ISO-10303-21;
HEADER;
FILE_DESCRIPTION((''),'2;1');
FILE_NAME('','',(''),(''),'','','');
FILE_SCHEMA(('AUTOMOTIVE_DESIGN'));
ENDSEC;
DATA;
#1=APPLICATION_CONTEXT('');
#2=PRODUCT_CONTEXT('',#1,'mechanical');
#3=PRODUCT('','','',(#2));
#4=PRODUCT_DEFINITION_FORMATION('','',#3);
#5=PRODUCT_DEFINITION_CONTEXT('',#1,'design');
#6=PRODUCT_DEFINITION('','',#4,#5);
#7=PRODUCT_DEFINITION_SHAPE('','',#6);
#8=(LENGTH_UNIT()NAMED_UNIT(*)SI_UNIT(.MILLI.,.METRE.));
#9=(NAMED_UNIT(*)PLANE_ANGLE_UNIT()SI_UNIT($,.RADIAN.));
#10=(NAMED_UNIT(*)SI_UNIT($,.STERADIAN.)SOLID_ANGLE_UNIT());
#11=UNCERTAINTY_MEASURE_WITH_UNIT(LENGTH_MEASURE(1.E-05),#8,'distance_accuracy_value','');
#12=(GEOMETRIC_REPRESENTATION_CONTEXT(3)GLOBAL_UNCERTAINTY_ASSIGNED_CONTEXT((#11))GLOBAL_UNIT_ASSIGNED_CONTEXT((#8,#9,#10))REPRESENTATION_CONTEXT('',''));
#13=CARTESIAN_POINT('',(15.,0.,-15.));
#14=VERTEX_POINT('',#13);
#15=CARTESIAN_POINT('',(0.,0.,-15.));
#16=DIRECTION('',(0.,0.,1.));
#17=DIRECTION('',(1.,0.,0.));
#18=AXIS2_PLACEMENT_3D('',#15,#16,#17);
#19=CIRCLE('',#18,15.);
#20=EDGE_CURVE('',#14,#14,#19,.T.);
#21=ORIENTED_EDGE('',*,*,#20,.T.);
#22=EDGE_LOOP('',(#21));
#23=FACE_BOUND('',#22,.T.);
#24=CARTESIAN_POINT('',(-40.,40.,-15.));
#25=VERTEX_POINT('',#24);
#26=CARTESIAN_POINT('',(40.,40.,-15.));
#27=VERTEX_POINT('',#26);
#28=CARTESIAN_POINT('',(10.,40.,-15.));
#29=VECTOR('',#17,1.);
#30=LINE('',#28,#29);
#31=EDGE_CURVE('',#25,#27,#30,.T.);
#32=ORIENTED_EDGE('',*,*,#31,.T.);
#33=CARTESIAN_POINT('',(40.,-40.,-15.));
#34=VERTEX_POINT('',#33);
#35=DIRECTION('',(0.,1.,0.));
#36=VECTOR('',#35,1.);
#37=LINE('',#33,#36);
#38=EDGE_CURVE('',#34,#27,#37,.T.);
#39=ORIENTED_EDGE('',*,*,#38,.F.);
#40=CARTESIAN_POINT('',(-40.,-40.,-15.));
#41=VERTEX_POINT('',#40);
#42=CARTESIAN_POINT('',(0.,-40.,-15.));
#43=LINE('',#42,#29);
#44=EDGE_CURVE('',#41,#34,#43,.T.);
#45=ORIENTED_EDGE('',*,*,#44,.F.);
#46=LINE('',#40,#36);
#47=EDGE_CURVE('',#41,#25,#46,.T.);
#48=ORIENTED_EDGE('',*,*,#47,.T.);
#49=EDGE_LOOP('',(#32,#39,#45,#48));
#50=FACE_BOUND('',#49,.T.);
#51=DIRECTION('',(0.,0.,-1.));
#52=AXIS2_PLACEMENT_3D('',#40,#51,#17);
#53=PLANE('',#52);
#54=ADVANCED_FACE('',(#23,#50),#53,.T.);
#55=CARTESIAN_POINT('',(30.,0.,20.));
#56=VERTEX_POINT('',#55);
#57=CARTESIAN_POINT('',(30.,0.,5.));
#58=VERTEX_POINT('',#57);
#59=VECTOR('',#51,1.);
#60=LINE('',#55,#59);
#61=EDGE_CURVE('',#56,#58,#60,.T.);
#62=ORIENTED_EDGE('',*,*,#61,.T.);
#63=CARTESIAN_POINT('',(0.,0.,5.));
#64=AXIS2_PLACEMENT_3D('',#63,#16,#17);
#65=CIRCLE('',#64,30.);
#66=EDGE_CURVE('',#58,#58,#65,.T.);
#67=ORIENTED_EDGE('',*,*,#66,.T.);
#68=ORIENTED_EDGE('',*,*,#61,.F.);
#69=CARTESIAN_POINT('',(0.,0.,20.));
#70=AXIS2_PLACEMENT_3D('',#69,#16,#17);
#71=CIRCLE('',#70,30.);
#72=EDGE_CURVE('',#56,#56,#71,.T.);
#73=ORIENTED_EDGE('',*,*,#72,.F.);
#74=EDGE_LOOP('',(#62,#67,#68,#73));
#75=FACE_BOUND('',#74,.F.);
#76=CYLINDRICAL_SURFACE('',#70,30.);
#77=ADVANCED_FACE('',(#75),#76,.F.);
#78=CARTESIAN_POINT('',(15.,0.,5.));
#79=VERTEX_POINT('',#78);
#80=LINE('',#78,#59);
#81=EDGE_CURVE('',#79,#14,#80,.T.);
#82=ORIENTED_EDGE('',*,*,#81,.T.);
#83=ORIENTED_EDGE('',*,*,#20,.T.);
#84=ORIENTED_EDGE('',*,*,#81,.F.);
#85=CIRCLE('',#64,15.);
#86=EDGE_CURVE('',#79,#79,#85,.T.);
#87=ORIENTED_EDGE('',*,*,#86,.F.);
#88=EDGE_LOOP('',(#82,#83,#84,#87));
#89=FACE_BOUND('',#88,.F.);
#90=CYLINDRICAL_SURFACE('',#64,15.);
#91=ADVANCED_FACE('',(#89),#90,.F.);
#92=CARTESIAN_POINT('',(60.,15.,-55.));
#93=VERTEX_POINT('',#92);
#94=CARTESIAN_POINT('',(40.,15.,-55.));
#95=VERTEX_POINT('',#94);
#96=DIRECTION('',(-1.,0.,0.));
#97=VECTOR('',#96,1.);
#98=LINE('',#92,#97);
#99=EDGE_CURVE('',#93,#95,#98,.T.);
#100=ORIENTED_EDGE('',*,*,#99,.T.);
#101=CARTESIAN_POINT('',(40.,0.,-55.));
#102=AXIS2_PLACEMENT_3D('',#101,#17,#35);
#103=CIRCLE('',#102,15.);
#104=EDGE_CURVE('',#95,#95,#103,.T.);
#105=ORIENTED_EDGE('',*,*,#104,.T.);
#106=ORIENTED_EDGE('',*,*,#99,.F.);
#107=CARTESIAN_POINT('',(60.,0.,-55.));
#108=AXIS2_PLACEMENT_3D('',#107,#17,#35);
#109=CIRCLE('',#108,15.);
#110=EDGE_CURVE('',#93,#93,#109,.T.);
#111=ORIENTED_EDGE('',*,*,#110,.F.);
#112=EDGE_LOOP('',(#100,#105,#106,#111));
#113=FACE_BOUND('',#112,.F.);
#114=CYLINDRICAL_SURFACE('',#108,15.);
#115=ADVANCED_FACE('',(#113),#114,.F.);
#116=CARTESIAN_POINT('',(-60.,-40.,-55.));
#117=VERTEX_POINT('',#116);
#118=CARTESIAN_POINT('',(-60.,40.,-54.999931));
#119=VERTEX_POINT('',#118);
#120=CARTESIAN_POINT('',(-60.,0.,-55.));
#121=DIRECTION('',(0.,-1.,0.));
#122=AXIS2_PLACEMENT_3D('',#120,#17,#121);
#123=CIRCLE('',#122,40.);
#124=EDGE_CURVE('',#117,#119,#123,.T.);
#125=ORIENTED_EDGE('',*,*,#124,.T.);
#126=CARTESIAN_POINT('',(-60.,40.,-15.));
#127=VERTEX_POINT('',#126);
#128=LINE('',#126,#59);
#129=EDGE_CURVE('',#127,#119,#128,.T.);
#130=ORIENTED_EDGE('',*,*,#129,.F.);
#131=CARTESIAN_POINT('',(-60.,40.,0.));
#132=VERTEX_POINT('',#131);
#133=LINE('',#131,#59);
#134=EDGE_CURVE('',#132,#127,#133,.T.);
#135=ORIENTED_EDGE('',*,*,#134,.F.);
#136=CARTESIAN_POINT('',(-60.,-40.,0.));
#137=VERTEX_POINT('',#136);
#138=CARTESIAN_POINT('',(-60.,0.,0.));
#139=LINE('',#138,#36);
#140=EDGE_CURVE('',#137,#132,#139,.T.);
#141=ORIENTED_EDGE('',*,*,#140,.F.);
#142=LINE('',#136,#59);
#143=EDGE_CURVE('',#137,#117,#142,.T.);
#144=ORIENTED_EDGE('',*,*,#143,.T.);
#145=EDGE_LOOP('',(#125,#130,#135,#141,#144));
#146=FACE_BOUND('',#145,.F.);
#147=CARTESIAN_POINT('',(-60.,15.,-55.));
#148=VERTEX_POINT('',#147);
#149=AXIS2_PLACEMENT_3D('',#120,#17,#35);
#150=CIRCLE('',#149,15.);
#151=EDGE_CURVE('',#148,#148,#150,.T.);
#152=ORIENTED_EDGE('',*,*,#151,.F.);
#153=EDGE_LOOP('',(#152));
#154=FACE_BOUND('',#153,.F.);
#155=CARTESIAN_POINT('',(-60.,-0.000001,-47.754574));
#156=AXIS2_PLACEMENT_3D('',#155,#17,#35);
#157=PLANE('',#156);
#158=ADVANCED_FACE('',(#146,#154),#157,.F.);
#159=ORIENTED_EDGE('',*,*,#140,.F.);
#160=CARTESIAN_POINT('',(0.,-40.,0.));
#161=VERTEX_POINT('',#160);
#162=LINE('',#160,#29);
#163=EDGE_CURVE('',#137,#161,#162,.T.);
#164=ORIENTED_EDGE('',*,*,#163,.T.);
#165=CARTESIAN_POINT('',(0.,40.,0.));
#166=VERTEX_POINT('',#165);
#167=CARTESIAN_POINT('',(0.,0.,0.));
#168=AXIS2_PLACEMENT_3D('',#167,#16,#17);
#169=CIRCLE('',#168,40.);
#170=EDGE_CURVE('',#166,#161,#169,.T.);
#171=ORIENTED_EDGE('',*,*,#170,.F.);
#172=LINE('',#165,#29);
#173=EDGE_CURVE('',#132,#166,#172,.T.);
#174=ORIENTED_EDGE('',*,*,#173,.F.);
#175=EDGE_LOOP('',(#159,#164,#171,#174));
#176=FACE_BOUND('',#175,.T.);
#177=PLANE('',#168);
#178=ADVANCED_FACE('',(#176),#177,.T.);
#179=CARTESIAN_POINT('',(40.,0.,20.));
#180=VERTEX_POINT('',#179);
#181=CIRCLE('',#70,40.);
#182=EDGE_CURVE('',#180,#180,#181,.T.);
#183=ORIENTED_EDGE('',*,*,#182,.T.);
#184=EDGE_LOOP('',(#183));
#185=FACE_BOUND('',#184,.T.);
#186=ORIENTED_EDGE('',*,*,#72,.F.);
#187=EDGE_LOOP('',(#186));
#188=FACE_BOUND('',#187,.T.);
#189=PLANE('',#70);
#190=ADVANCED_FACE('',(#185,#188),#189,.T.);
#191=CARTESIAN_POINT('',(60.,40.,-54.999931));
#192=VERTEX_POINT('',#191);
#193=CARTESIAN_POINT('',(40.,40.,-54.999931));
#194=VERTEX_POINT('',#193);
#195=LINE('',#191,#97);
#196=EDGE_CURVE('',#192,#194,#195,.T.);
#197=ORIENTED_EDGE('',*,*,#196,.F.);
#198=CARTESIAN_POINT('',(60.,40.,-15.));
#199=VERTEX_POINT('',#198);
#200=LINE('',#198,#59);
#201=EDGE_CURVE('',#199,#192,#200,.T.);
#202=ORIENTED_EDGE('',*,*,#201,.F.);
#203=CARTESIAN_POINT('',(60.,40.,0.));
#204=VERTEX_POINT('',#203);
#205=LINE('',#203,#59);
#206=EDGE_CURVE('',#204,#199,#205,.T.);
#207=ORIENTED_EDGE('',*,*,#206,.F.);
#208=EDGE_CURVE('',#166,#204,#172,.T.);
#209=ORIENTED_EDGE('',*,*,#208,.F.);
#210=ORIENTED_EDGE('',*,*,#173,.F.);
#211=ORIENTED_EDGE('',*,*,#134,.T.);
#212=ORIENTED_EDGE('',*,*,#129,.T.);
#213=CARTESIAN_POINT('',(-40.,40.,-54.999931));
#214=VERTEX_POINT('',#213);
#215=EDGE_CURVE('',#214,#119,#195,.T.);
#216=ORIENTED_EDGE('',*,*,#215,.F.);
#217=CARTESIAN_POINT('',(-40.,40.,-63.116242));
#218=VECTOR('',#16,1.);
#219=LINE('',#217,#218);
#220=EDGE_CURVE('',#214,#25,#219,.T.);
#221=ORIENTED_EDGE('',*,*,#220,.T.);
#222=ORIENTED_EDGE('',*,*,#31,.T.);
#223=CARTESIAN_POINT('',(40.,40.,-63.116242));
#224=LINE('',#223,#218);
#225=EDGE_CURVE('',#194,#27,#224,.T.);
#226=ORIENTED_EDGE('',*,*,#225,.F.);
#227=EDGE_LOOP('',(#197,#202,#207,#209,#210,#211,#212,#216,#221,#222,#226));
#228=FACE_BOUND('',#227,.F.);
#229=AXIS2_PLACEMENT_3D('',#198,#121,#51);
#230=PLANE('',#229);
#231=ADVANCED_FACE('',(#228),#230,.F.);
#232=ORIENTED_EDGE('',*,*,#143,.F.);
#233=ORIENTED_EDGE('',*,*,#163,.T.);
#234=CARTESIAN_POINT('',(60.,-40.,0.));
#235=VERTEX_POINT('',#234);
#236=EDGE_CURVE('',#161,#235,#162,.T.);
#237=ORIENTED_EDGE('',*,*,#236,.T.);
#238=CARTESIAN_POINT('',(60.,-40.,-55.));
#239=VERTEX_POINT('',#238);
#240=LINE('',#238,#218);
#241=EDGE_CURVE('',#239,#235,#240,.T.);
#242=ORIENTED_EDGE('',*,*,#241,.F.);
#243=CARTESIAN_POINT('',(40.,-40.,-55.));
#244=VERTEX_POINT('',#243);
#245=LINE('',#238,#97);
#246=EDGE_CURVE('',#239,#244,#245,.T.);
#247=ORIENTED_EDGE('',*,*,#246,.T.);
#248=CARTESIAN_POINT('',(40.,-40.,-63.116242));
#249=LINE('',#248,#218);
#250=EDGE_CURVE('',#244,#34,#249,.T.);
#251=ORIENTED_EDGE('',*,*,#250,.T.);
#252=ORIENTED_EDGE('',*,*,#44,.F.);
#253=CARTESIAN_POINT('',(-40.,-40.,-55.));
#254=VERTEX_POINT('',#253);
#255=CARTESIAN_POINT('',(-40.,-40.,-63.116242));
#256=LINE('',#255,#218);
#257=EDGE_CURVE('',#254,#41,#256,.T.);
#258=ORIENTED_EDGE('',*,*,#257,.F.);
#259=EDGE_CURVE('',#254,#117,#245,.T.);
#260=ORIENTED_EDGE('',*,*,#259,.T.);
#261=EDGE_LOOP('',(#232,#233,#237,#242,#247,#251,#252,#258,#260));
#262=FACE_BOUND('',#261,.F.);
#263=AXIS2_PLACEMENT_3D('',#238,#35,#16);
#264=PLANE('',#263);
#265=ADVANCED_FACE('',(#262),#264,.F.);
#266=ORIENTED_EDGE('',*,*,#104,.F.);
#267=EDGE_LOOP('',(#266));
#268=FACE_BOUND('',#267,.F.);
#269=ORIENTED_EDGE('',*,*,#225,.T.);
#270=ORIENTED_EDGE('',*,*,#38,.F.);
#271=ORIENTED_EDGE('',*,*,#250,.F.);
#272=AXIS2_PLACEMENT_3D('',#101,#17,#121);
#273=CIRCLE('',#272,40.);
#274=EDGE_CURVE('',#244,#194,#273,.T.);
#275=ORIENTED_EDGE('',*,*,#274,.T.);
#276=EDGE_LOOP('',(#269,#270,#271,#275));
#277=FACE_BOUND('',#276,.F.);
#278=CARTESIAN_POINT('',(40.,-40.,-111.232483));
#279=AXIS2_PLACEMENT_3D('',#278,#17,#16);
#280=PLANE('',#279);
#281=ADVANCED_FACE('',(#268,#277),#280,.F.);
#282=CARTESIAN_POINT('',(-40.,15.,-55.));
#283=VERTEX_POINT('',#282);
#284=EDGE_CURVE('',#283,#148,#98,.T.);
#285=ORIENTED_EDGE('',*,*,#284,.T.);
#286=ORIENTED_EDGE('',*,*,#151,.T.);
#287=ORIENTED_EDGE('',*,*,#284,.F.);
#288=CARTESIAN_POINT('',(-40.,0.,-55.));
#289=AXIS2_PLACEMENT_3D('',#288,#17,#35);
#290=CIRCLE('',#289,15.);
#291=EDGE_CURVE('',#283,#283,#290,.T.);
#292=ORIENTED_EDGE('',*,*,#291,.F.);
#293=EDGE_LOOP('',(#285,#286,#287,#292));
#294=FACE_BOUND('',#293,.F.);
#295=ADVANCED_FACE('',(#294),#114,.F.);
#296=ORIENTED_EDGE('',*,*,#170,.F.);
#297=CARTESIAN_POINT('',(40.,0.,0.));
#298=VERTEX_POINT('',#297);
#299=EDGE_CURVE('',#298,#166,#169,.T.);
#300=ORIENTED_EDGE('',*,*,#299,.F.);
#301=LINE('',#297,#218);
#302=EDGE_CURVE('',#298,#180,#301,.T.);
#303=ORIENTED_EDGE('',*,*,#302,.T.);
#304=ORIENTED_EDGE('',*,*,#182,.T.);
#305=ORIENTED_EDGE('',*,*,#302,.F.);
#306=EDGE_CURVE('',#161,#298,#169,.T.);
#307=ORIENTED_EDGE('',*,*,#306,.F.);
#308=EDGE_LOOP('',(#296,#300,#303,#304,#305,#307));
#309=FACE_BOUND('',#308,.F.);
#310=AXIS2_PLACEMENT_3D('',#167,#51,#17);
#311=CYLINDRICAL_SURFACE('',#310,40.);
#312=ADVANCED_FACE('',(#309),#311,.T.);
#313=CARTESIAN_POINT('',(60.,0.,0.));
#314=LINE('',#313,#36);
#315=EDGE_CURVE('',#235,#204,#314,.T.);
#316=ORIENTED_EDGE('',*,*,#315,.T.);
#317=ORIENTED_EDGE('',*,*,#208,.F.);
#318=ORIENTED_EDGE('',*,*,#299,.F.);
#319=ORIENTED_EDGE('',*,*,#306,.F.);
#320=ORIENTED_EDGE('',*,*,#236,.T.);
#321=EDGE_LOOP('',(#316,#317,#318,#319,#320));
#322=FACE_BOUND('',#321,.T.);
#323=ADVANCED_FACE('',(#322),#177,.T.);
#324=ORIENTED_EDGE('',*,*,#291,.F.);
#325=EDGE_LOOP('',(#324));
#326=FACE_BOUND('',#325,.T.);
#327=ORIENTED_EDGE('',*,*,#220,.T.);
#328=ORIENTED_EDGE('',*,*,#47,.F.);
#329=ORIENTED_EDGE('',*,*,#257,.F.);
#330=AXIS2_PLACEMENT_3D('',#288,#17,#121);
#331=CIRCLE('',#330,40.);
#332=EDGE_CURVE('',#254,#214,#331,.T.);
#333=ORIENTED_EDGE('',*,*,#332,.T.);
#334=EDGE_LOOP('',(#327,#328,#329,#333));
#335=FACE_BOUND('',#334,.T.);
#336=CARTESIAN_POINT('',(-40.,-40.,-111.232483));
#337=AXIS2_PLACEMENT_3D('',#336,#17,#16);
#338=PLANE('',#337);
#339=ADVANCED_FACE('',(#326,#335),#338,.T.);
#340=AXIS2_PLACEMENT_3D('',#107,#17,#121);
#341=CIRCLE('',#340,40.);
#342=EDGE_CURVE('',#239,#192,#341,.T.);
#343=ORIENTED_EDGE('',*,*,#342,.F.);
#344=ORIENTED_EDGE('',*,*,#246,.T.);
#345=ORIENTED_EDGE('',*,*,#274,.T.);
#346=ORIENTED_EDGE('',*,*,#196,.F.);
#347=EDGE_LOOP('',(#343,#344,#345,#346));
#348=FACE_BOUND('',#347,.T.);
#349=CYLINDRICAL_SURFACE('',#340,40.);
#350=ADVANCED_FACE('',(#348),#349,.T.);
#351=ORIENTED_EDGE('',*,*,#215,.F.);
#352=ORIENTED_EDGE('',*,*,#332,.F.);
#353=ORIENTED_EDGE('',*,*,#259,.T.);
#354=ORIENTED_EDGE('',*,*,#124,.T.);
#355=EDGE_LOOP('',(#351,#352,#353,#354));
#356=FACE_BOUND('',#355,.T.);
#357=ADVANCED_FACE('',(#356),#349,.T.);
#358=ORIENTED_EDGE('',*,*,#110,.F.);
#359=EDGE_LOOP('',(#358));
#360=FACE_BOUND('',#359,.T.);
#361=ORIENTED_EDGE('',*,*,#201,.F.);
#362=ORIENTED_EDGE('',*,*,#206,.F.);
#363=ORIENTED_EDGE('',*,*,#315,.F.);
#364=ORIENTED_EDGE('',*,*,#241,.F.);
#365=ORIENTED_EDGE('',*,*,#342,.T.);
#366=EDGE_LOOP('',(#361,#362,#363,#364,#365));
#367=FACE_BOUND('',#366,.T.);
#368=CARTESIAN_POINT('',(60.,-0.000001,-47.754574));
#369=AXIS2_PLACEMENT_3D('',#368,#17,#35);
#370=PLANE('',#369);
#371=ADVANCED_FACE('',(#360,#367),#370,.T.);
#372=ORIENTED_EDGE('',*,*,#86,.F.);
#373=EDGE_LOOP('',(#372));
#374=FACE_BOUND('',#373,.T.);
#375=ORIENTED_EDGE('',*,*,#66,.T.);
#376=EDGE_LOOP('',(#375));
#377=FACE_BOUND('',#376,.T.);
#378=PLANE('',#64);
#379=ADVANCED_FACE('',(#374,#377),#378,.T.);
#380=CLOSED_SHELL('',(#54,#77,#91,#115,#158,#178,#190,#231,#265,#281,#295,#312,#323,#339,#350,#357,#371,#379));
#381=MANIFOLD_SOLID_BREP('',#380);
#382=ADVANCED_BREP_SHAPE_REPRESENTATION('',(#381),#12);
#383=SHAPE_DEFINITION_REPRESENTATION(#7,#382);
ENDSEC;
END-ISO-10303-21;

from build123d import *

# Parameters (mm, degrees)
SKETCH_W        = 120
SKETCH_H        = 80
PAD_DEPTH       = 15
SKETCH001_R     = 40
PAD001_DEPTH    = 20
SKETCH002_R     = 30
POCKET_DEPTH    = 15
SKETCH003_R     = 15
POCKET001_DEPTH = 20.001
SKETCH004_R     = 15
PAD002_DEPTH    = 120
SKETCH005_W     = 80
SKETCH005_H     = 96.232483
POCKET002_DEPTH = 80.0010000001


with BuildPart() as part:
    # Sketch → Pad (new body)
    with BuildSketch(Plane.XY):
        Rectangle(SKETCH_W, SKETCH_H)
    extrude(amount=-PAD_DEPTH)

    # Sketch001 → Pad001 (new body)
    with BuildSketch(Plane.XY):
        Circle(SKETCH001_R)
    extrude(amount=PAD001_DEPTH)

    # Sketch002 → Pocket (cut)
    with BuildSketch(Plane.XY.offset(20)):
        Circle(SKETCH002_R)
    extrude(amount=-POCKET_DEPTH, mode=Mode.SUBTRACT)

    # Sketch003 → Pocket001 (cut, through all)
    with BuildSketch(Plane.XY.offset(5)):
        Circle(SKETCH003_R)
    extrude(amount=-POCKET001_DEPTH, mode=Mode.SUBTRACT)

    # Sketch004 → Pad002 (new body)
    with BuildSketch(Plane.YZ.offset(60)):
        with BuildLine():
            ThreePointArc((-40, -55), (3.45478e-05, -95), (39.9999999999, -54.9999309045))
            Line((39.9999999999, -15), (39.9999999999, -54.9999309045))
            Line((-40, -15), (39.9999999999, -15))
            Line((-40, -55), (-40, -15))
        make_face()
        with Locations((0, -55)):
            Circle(SKETCH004_R, mode=Mode.SUBTRACT)
    extrude(amount=-PAD002_DEPTH)

    # Sketch005 → Pocket002 (cut, through all)
    with BuildSketch(Plane.XZ.offset(40)):
        with Locations((0, -63.1162415)):
            Rectangle(SKETCH005_W, SKETCH005_H)
    extrude(amount=-POCKET002_DEPTH, mode=Mode.SUBTRACT)


solid = part.part
